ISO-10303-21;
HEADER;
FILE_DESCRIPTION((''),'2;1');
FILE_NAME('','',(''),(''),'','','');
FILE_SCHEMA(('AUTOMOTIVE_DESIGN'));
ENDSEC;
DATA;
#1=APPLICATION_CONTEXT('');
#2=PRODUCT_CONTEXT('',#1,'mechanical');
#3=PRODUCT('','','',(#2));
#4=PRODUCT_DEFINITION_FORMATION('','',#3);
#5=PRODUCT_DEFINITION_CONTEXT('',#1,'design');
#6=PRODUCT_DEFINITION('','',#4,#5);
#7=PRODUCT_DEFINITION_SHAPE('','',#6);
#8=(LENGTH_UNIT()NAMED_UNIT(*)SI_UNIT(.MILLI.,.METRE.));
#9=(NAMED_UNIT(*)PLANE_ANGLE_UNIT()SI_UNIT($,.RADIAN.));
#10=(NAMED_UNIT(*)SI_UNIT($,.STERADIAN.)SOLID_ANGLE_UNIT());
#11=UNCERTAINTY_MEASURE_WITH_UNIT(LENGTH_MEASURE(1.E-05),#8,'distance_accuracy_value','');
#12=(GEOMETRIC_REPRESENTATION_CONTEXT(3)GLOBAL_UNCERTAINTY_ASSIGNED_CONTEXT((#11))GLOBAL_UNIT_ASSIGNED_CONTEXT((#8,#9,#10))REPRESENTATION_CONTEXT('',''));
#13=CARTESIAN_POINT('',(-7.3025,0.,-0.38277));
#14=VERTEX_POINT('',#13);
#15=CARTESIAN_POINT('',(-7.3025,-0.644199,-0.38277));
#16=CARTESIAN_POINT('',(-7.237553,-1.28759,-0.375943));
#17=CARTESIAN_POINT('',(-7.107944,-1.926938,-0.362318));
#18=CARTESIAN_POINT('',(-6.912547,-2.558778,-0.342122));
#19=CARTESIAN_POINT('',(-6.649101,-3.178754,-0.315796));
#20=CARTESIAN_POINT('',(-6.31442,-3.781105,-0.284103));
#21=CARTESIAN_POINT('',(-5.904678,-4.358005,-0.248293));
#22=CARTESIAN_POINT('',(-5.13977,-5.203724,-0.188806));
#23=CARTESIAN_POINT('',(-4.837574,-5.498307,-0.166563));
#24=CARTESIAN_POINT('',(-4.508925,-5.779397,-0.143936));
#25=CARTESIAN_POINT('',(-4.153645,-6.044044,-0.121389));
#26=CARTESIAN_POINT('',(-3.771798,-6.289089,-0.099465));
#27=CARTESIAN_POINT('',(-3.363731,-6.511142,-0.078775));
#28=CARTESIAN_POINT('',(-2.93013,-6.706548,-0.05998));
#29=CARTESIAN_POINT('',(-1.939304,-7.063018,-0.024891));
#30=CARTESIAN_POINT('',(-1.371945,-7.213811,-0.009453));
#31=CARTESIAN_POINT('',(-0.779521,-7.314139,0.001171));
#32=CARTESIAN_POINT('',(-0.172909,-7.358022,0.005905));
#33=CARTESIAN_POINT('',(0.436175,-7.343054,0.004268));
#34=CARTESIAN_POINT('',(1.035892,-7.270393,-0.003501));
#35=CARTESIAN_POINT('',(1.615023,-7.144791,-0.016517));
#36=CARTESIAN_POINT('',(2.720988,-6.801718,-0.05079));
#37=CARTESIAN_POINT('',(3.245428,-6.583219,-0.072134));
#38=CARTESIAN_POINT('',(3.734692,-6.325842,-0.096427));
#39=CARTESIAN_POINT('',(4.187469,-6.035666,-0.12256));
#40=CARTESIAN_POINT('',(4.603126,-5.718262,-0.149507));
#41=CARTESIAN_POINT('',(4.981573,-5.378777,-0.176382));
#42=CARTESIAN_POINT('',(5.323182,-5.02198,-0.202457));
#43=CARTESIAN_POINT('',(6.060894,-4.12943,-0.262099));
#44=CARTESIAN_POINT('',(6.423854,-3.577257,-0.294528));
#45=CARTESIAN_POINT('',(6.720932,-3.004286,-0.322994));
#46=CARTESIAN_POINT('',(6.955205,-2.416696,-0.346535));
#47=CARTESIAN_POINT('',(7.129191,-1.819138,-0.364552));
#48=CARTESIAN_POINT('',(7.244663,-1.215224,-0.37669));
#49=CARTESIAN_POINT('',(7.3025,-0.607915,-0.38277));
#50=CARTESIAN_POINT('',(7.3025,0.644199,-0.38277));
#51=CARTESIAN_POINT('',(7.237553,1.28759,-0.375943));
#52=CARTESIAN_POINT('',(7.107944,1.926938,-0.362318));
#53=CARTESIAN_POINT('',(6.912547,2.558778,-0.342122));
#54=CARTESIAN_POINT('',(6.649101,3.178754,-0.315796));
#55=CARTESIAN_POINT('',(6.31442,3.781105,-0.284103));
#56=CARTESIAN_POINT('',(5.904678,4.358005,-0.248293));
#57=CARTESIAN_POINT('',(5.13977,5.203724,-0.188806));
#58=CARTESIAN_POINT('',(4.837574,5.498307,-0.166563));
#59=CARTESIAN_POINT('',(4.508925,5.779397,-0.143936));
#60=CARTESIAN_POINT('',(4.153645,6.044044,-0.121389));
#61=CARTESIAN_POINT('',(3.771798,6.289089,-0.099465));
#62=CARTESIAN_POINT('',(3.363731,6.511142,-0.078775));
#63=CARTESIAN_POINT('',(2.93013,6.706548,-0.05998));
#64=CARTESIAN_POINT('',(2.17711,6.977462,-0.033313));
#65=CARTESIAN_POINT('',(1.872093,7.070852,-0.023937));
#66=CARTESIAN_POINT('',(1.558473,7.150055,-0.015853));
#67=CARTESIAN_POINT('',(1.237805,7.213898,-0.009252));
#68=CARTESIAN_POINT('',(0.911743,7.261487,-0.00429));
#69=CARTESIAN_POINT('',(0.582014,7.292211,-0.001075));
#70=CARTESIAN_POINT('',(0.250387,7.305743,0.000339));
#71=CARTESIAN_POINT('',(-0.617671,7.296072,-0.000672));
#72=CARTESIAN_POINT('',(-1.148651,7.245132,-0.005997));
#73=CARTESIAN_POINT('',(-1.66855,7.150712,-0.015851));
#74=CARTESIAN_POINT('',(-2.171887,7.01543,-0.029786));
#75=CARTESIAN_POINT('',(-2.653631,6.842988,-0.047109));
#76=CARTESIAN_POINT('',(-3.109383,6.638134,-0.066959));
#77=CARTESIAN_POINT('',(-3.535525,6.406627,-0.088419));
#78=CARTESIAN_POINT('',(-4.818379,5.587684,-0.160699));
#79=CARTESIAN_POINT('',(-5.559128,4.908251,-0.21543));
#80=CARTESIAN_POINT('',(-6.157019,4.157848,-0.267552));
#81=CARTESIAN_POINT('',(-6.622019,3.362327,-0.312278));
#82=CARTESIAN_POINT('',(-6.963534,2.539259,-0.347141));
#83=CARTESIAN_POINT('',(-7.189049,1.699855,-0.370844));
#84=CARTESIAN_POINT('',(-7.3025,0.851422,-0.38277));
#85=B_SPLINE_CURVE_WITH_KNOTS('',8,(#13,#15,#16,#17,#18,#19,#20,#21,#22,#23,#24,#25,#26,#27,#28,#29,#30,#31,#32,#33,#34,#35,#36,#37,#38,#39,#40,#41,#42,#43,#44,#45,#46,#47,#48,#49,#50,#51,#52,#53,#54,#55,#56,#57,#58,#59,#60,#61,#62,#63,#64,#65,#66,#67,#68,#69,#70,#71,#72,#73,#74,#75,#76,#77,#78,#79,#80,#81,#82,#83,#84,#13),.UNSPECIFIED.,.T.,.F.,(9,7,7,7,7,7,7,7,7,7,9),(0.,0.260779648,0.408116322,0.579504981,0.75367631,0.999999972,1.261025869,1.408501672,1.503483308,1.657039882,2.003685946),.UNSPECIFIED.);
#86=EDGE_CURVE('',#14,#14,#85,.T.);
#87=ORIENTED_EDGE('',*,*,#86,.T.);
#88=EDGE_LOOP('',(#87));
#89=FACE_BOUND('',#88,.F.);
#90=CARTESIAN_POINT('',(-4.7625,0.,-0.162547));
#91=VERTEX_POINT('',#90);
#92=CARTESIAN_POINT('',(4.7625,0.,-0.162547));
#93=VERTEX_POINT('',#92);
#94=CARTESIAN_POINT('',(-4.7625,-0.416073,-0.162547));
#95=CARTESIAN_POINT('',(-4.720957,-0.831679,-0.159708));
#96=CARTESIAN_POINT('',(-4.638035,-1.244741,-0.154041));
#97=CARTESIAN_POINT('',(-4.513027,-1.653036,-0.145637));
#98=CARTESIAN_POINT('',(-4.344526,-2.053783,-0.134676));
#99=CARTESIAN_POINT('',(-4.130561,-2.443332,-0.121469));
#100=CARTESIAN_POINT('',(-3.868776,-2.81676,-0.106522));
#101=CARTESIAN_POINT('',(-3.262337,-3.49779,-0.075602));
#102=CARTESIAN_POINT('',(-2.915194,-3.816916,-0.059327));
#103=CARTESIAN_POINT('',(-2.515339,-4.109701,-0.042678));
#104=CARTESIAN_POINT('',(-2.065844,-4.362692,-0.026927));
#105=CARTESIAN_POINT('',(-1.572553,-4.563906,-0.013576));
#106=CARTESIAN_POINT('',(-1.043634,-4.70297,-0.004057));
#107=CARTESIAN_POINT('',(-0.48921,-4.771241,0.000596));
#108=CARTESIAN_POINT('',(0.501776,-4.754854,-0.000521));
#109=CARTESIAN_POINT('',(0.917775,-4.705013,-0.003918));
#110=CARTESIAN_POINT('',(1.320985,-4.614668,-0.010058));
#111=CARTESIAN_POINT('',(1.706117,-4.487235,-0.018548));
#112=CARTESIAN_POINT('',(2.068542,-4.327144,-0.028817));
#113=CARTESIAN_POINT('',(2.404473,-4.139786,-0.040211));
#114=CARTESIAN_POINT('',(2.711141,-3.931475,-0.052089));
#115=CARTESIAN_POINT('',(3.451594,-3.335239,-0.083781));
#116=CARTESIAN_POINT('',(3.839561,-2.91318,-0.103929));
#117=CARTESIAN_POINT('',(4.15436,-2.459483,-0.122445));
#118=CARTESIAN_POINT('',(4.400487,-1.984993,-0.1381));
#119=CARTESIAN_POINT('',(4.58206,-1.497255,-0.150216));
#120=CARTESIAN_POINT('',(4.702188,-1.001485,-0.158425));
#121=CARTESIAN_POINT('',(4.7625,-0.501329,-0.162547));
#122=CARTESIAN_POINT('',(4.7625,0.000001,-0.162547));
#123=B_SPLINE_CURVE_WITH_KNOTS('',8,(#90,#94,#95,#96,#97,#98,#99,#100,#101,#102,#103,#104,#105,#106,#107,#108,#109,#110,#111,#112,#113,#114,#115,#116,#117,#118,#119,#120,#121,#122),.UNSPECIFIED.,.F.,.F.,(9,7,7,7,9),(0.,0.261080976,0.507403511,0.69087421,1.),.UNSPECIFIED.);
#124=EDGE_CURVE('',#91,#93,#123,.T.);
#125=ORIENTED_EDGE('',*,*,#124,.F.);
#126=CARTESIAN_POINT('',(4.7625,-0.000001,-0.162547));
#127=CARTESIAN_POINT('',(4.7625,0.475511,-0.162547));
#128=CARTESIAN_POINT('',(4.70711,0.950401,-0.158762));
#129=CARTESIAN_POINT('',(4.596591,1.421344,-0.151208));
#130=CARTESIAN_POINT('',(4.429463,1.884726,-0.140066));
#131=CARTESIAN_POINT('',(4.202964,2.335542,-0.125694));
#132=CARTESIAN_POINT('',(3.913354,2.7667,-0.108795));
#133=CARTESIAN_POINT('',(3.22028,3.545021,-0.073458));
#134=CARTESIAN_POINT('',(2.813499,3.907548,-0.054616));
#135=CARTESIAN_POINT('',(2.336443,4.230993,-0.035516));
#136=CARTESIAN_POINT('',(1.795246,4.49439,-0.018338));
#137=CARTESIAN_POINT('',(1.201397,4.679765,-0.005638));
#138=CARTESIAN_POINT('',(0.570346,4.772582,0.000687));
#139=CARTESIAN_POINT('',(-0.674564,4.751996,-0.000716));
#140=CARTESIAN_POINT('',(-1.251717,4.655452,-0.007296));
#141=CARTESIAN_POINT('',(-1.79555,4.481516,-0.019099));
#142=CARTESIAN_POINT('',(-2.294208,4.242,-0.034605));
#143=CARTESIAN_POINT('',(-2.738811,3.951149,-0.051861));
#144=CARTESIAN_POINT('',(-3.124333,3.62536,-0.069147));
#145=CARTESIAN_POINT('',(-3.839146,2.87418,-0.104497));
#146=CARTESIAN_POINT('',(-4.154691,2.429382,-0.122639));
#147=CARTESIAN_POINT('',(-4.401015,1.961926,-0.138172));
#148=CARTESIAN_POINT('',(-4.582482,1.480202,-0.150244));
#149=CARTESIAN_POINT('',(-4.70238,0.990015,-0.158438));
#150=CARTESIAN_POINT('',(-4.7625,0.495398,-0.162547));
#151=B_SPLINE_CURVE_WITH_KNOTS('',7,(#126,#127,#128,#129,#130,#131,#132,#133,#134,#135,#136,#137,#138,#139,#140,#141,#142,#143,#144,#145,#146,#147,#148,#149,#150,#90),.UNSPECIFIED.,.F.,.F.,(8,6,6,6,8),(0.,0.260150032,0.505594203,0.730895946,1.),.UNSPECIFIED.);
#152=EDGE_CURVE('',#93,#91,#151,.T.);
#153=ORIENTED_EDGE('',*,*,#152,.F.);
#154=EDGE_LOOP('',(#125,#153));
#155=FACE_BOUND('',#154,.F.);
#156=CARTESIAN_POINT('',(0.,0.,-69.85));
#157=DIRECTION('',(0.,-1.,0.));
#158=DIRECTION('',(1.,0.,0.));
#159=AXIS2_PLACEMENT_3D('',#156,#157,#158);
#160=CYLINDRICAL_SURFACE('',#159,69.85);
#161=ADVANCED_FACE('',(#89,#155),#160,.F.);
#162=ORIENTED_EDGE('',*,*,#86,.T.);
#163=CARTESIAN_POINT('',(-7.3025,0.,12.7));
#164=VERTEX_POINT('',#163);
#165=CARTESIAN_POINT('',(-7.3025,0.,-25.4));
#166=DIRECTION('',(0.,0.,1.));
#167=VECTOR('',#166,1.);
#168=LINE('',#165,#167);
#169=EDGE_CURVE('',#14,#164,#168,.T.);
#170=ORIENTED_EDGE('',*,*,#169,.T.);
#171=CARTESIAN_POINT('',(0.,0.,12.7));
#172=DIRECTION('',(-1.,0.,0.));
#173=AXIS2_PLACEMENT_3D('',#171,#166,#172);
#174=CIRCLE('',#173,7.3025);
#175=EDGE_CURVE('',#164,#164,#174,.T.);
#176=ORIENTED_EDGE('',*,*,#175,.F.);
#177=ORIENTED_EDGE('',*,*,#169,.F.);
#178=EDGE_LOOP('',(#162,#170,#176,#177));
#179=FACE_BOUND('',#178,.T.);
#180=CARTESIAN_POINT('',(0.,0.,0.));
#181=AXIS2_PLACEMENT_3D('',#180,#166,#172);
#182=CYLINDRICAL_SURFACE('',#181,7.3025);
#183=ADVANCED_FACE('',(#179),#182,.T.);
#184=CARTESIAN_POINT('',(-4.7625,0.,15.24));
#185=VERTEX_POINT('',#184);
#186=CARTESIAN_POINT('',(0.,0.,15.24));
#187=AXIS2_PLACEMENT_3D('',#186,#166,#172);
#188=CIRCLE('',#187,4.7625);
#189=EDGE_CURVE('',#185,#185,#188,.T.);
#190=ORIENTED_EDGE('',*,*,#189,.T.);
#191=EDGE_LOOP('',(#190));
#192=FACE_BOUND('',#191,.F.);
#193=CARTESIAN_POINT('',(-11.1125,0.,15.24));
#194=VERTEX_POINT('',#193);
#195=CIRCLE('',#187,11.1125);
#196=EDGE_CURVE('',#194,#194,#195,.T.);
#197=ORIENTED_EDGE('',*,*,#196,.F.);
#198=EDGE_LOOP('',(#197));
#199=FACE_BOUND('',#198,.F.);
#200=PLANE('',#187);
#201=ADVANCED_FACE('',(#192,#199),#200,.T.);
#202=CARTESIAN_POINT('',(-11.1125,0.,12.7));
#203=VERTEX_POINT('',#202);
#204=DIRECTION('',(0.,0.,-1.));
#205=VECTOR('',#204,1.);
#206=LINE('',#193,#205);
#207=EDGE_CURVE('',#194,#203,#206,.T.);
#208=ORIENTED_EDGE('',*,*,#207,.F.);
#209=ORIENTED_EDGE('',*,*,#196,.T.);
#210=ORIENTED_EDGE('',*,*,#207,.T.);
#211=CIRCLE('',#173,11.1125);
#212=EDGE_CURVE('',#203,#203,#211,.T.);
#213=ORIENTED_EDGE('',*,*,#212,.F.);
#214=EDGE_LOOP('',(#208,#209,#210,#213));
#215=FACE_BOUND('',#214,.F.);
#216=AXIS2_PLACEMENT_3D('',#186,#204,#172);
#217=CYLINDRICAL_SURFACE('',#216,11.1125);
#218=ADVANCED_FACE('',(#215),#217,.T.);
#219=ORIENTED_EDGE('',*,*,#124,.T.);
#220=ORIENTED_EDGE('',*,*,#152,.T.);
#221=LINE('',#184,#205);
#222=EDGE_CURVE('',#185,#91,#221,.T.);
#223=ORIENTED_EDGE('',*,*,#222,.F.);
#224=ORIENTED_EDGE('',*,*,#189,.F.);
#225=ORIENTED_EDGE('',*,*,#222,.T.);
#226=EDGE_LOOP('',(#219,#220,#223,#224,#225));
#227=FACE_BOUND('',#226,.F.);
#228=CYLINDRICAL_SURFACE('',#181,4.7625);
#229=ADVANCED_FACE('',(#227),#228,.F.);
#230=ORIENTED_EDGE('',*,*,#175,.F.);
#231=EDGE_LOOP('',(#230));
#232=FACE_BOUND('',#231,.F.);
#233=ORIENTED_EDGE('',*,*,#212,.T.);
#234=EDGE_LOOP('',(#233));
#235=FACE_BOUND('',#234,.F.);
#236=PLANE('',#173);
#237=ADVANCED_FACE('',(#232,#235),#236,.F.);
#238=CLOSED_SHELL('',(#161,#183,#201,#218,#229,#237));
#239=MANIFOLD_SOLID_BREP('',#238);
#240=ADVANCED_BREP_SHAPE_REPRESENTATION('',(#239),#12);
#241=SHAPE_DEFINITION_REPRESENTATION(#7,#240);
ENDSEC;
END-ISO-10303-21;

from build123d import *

# Parameters (mm, degrees)
F0_W          = 2.54
F0_H          = 12.7
F3_DEPTH      = 25.4
F2_R          = 69.85
F4_DEPTH      = 25.4
F4_DEPTH_BACK = 25.4


with BuildPart() as f1:
    # F0 (on Front) → F1 (revolve)
    with BuildSketch(Plane.XZ):
        with Locations((-6.0325, 6.35)):
            Rectangle(F0_W, F0_H)
        Polygon((-7.3025, 12.7), (-4.7625, 12.7), (-4.7625, 15.24), (-11.1125, 15.24), (-11.1125, 12.7), align=None)
    revolve(axis=Axis((0, 0, 2.0128042901), (0, 0, 1)))

    # F3 (add): a face of the model
    f3_faces = [f1.faces().sort_by_distance(p)[0] for p in [
        (7.0959541092, 0, 0),
    ]]
    extrude(f3_faces, amount=F3_DEPTH)

    # F2 (on Front) → F4 (cut, two sides)
    with BuildSketch(Plane.XZ) as f4_sk:
        with Locations((0, -69.85)):
            Circle(F2_R)
    extrude(amount=-F4_DEPTH, mode=Mode.SUBTRACT)
    extrude(f4_sk.sketch, amount=F4_DEPTH_BACK, mode=Mode.SUBTRACT)


solid = f1.part
